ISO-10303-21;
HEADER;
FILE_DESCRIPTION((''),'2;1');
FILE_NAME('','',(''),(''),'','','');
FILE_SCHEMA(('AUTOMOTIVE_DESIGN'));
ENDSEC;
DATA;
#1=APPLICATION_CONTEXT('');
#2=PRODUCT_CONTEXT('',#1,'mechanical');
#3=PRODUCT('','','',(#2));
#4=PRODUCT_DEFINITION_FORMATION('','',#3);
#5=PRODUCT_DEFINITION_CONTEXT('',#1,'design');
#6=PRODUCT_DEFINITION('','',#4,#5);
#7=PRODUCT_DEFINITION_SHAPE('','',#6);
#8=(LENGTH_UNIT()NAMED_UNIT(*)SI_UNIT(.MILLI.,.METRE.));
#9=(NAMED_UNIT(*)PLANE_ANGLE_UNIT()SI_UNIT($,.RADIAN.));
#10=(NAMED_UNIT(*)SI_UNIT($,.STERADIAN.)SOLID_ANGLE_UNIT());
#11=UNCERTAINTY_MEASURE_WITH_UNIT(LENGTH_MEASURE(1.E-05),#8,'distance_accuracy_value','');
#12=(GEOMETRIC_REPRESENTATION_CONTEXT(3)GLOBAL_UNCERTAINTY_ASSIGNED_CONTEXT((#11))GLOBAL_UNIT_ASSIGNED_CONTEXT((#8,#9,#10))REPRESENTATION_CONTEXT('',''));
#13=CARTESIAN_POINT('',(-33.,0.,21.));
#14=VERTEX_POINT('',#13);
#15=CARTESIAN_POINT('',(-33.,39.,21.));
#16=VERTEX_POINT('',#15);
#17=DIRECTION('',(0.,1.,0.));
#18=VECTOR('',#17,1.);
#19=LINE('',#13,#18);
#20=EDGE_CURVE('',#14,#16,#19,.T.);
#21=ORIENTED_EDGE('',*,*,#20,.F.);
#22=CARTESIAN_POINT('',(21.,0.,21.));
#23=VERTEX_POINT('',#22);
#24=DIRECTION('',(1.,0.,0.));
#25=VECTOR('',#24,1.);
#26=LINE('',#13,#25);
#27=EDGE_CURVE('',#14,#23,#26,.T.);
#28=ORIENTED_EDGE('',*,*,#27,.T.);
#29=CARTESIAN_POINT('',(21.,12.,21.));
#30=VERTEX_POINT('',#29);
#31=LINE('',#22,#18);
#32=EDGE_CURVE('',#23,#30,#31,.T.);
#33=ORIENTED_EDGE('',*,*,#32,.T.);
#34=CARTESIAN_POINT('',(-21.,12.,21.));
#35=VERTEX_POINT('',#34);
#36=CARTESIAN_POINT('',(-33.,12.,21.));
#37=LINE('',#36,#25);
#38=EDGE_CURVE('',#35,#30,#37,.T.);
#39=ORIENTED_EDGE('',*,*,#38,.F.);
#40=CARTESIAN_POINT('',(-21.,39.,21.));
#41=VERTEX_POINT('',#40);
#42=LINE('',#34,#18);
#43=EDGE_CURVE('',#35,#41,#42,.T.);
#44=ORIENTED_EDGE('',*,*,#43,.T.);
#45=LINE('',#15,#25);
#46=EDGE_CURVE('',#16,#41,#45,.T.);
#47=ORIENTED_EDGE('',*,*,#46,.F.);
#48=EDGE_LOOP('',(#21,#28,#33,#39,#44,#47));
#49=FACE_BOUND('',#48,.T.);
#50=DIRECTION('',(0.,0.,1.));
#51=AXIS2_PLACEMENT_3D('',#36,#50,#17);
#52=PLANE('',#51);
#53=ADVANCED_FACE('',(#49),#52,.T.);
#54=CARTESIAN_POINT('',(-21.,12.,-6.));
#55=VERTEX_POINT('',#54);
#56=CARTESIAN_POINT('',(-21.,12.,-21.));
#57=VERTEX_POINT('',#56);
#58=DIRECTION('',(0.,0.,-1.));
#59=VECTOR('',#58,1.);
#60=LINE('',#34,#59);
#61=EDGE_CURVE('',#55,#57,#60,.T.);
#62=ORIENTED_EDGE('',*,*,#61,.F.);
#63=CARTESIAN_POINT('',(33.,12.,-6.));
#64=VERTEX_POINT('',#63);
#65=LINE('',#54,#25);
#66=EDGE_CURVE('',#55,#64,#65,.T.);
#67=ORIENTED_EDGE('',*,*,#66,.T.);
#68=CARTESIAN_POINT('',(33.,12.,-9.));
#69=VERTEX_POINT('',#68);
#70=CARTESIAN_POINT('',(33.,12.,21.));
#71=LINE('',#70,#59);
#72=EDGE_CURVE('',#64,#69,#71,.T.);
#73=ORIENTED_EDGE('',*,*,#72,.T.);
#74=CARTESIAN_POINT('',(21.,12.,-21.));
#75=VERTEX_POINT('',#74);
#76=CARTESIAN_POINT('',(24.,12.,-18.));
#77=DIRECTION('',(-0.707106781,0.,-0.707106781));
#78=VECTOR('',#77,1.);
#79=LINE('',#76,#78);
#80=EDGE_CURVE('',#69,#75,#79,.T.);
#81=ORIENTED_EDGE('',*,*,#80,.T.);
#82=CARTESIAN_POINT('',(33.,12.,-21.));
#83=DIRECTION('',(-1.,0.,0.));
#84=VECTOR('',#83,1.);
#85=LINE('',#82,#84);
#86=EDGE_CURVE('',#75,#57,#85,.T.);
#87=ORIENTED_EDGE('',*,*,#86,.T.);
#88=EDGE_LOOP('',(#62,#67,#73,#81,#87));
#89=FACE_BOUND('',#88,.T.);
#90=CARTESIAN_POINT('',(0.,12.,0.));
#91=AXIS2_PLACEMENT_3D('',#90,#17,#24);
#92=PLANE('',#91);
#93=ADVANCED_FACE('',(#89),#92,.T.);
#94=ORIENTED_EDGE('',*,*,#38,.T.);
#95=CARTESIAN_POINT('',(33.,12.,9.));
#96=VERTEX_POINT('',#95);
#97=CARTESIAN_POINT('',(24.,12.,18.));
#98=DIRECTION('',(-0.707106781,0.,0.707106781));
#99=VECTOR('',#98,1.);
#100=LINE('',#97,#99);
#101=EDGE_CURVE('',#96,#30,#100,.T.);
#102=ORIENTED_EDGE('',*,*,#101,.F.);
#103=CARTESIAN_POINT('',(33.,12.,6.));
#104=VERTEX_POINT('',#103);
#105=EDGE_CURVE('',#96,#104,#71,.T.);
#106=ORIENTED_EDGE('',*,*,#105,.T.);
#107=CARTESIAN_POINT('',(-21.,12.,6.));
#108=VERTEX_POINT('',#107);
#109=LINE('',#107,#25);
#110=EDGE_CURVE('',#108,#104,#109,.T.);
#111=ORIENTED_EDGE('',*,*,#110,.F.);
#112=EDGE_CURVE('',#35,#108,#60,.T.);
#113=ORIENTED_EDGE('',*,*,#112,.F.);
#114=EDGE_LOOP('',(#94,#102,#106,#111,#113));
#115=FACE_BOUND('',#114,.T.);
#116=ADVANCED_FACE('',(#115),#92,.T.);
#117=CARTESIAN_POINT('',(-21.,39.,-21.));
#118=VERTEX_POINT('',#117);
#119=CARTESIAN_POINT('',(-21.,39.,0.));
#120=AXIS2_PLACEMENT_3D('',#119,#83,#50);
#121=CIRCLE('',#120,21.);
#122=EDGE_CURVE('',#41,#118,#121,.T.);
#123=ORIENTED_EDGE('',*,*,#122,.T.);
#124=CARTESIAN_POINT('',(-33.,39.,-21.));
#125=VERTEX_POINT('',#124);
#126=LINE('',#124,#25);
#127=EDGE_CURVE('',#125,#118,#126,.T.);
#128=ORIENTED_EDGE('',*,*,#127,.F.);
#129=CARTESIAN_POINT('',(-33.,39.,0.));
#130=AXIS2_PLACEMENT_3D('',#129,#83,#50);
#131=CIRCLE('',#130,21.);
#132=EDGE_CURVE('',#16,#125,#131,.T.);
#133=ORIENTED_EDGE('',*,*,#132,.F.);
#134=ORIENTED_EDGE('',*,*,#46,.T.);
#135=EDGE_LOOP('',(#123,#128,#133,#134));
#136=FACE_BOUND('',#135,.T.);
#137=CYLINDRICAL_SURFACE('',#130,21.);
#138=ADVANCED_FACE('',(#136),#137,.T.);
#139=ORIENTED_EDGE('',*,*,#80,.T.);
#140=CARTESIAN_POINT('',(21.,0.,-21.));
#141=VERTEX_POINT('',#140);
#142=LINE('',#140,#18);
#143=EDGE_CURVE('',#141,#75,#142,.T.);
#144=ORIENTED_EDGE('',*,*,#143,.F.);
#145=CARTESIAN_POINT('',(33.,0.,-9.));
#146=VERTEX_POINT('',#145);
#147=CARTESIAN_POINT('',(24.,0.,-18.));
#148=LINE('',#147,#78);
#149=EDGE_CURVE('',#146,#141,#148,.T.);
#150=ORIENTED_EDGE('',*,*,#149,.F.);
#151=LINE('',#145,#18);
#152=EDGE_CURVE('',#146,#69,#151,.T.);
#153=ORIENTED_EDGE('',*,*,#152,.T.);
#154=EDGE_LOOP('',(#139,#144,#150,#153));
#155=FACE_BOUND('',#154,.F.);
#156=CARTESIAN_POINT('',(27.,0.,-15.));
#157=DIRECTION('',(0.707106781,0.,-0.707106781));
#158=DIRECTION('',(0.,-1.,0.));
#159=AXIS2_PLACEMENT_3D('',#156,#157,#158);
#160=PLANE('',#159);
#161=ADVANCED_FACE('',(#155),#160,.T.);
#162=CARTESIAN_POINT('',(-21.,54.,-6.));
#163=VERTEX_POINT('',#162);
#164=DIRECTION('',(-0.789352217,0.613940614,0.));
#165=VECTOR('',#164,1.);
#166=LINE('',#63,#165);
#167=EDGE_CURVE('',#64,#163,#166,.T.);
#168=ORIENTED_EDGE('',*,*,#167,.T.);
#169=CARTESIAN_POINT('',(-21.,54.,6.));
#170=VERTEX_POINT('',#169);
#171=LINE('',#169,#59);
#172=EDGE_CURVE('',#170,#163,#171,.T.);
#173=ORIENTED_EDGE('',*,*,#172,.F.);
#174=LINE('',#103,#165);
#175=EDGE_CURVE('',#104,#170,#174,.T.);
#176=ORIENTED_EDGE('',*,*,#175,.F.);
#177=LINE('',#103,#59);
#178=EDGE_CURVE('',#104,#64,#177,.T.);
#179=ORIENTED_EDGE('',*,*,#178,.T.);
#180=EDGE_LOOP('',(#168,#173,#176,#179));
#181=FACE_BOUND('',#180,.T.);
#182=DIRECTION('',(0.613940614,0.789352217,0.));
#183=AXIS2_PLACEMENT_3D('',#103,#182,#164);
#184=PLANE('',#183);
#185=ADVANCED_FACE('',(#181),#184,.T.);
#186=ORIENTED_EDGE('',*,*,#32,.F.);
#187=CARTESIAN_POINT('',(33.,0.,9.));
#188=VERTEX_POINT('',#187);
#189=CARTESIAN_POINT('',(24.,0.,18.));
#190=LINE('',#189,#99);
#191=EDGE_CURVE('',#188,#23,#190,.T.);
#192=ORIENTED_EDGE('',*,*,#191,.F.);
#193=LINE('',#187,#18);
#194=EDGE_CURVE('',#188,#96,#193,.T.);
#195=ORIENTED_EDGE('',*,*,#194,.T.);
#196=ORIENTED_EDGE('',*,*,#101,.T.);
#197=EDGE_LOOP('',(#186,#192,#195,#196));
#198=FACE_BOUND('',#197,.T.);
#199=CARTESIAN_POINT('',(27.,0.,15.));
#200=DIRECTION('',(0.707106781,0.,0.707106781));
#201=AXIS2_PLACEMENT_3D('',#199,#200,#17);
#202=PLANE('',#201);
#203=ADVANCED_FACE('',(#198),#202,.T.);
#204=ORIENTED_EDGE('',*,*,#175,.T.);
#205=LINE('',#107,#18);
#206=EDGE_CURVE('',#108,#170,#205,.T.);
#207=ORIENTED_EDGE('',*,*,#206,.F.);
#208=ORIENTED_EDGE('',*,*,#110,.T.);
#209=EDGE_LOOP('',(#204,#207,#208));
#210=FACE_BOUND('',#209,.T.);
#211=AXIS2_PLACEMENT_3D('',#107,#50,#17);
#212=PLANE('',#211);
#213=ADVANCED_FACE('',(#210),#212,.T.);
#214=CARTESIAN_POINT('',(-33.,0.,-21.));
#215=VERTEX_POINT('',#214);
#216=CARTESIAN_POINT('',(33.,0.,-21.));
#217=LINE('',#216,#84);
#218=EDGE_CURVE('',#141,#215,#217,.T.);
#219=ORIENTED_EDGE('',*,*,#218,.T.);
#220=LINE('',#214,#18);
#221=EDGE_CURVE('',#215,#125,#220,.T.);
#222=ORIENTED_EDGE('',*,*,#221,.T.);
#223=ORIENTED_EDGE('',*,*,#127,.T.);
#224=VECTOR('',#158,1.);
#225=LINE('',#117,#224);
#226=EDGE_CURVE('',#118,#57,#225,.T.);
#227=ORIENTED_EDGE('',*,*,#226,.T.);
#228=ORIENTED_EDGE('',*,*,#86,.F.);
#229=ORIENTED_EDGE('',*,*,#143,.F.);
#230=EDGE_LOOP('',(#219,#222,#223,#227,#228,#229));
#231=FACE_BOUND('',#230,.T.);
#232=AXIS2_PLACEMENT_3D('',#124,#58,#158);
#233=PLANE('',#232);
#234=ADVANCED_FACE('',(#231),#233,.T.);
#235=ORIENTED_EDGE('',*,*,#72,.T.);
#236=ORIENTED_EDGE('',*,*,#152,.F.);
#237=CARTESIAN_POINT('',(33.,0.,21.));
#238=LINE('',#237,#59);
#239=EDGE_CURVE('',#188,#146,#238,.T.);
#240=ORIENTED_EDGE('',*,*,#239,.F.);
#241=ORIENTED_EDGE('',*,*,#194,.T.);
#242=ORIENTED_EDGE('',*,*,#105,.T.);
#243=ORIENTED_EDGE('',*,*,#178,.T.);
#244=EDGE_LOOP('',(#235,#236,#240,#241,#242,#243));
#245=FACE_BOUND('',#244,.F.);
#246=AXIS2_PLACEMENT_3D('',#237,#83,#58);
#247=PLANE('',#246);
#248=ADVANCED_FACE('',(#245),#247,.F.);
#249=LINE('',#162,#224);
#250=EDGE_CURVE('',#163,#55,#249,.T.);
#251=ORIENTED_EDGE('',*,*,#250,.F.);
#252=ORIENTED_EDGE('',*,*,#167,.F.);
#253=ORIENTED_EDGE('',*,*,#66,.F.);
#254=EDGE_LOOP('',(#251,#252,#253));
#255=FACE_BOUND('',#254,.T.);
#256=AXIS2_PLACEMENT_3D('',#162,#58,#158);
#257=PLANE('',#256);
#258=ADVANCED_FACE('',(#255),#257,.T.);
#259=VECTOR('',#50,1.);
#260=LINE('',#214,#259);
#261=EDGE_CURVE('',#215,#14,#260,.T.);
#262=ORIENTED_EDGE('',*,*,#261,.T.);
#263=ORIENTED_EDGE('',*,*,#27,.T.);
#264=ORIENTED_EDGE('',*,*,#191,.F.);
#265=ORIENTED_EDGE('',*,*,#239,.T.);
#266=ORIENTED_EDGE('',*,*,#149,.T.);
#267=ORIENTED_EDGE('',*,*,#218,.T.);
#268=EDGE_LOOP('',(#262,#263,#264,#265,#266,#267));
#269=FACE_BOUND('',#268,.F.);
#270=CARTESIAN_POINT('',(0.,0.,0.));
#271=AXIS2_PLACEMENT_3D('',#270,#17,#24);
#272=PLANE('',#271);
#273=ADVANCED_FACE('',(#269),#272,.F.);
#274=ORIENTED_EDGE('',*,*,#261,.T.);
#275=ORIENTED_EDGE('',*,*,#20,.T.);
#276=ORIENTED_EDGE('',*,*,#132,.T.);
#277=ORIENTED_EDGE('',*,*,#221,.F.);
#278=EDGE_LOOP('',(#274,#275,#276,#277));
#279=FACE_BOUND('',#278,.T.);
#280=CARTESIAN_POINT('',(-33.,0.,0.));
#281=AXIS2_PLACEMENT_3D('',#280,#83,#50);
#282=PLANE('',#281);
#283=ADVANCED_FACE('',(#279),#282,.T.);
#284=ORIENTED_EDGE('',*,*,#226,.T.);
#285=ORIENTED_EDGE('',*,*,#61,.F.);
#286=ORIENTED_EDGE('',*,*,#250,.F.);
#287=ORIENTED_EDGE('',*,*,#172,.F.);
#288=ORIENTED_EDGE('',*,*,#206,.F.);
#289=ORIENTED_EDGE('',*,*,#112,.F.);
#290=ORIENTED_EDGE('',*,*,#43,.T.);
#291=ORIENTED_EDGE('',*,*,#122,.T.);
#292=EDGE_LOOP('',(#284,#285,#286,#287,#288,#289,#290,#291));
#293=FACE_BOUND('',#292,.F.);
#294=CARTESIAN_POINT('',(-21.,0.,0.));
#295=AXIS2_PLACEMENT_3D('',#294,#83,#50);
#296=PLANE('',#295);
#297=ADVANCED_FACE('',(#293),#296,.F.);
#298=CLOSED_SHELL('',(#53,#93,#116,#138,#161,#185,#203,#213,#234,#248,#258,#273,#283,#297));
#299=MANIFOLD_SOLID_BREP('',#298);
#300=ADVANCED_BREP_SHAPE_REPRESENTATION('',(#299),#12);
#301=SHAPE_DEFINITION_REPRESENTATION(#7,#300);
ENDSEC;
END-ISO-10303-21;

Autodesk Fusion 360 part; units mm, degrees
sketch "Sketch1" plane through (0, 0, 0) normal (0, 1, 0) x (1, 0, 0)
  line L0 (33, 21) -> (-33, 21)
  line L1 (-33, 21) -> (-33, -21)
  line L2 (-33, -21) -> (33, -21)
  line L3 (33, -21) -> (33, 21)
  line L4 (33, 21) -> (-33, -21) construction
  line L5 (-33, 21) -> (33, -21) construction
  dimension "d1" = 66
  dimension "d2" = 42
extrude "Extrude1" add sketch "Sketch1" along normal blind 12
chamfer "Chamfer1" distance 12 angle 45 2 edges at (33, 6, 21) (33, 6, -21)
sketch "Sketch2" plane through (-33, 0, 0) normal (-1, 0, 0) x (0, 0, 1)
  line L0 (-21, 0) -> (21, 0)
  line L1 (21, 0) -> (21, 12)
  line L2 (21, 12) -> (-21, 12)
  line L3 (-21, 12) -> (-21, 0)
  line L4 (21, 12) -> (21, 39)
  line L5 (-21, 39) -> (-21, 12)
  line L6 (-21, 12) -> (21, 12)
  arc A0 (21, 39) -> (-21, 39) centre (0, 39) ccw
  dimension "d8" = 42
  dimension "d9" = 27
extrude "Extrude2" add sketch "Sketch2" against normal blind 12 contours L2 L4 L5 L6 A0
sketch "Sketch3" plane through (-21, 0, 0) normal (1, 0, 0) x (0, 0, -1)
  arc A0 (21, 39) -> (-21, 39) centre (0, 39) ccw
  line L0 (-21, 39) -> (-21, 12)
  line L1 (-21, 12) -> (21, 12)
  line L2 (21, 12) -> (21, 39)
  line L3 (-6, 12) -> (-6, 54)
  line L4 (-6, 54) -> (6, 54)
  line L5 (6, 54) -> (6, 12)
  dimension "d12" = 42
  dimension "d13" = 15
  dimension "d14" = 12
  dimension "d15" = 42
extrude "Extrude3" add sketch "Sketch3" along normal blind 54 contours L1 L3 L4 L5
sketch "Sketch4" plane through (0, 0, 6) normal (0, 0, 1) x (1, 0, 0)
  line L0 (-21, 54) -> (-21, 12)
  line L1 (-21, 12) -> (33, 12)
  line L2 (33, 12) -> (33, 54)
  line L3 (33, 54) -> (-21, 54)
  line L4 (33, 12) -> (-21, 54)
  line L5 (33, 12) -> (33, 54)
  line L6 (-21, 54) -> (33, 54)
extrude "Extrude4" cut sketch "Sketch4" against normal blind 12 contours L2 L3 L4 L5 L6
